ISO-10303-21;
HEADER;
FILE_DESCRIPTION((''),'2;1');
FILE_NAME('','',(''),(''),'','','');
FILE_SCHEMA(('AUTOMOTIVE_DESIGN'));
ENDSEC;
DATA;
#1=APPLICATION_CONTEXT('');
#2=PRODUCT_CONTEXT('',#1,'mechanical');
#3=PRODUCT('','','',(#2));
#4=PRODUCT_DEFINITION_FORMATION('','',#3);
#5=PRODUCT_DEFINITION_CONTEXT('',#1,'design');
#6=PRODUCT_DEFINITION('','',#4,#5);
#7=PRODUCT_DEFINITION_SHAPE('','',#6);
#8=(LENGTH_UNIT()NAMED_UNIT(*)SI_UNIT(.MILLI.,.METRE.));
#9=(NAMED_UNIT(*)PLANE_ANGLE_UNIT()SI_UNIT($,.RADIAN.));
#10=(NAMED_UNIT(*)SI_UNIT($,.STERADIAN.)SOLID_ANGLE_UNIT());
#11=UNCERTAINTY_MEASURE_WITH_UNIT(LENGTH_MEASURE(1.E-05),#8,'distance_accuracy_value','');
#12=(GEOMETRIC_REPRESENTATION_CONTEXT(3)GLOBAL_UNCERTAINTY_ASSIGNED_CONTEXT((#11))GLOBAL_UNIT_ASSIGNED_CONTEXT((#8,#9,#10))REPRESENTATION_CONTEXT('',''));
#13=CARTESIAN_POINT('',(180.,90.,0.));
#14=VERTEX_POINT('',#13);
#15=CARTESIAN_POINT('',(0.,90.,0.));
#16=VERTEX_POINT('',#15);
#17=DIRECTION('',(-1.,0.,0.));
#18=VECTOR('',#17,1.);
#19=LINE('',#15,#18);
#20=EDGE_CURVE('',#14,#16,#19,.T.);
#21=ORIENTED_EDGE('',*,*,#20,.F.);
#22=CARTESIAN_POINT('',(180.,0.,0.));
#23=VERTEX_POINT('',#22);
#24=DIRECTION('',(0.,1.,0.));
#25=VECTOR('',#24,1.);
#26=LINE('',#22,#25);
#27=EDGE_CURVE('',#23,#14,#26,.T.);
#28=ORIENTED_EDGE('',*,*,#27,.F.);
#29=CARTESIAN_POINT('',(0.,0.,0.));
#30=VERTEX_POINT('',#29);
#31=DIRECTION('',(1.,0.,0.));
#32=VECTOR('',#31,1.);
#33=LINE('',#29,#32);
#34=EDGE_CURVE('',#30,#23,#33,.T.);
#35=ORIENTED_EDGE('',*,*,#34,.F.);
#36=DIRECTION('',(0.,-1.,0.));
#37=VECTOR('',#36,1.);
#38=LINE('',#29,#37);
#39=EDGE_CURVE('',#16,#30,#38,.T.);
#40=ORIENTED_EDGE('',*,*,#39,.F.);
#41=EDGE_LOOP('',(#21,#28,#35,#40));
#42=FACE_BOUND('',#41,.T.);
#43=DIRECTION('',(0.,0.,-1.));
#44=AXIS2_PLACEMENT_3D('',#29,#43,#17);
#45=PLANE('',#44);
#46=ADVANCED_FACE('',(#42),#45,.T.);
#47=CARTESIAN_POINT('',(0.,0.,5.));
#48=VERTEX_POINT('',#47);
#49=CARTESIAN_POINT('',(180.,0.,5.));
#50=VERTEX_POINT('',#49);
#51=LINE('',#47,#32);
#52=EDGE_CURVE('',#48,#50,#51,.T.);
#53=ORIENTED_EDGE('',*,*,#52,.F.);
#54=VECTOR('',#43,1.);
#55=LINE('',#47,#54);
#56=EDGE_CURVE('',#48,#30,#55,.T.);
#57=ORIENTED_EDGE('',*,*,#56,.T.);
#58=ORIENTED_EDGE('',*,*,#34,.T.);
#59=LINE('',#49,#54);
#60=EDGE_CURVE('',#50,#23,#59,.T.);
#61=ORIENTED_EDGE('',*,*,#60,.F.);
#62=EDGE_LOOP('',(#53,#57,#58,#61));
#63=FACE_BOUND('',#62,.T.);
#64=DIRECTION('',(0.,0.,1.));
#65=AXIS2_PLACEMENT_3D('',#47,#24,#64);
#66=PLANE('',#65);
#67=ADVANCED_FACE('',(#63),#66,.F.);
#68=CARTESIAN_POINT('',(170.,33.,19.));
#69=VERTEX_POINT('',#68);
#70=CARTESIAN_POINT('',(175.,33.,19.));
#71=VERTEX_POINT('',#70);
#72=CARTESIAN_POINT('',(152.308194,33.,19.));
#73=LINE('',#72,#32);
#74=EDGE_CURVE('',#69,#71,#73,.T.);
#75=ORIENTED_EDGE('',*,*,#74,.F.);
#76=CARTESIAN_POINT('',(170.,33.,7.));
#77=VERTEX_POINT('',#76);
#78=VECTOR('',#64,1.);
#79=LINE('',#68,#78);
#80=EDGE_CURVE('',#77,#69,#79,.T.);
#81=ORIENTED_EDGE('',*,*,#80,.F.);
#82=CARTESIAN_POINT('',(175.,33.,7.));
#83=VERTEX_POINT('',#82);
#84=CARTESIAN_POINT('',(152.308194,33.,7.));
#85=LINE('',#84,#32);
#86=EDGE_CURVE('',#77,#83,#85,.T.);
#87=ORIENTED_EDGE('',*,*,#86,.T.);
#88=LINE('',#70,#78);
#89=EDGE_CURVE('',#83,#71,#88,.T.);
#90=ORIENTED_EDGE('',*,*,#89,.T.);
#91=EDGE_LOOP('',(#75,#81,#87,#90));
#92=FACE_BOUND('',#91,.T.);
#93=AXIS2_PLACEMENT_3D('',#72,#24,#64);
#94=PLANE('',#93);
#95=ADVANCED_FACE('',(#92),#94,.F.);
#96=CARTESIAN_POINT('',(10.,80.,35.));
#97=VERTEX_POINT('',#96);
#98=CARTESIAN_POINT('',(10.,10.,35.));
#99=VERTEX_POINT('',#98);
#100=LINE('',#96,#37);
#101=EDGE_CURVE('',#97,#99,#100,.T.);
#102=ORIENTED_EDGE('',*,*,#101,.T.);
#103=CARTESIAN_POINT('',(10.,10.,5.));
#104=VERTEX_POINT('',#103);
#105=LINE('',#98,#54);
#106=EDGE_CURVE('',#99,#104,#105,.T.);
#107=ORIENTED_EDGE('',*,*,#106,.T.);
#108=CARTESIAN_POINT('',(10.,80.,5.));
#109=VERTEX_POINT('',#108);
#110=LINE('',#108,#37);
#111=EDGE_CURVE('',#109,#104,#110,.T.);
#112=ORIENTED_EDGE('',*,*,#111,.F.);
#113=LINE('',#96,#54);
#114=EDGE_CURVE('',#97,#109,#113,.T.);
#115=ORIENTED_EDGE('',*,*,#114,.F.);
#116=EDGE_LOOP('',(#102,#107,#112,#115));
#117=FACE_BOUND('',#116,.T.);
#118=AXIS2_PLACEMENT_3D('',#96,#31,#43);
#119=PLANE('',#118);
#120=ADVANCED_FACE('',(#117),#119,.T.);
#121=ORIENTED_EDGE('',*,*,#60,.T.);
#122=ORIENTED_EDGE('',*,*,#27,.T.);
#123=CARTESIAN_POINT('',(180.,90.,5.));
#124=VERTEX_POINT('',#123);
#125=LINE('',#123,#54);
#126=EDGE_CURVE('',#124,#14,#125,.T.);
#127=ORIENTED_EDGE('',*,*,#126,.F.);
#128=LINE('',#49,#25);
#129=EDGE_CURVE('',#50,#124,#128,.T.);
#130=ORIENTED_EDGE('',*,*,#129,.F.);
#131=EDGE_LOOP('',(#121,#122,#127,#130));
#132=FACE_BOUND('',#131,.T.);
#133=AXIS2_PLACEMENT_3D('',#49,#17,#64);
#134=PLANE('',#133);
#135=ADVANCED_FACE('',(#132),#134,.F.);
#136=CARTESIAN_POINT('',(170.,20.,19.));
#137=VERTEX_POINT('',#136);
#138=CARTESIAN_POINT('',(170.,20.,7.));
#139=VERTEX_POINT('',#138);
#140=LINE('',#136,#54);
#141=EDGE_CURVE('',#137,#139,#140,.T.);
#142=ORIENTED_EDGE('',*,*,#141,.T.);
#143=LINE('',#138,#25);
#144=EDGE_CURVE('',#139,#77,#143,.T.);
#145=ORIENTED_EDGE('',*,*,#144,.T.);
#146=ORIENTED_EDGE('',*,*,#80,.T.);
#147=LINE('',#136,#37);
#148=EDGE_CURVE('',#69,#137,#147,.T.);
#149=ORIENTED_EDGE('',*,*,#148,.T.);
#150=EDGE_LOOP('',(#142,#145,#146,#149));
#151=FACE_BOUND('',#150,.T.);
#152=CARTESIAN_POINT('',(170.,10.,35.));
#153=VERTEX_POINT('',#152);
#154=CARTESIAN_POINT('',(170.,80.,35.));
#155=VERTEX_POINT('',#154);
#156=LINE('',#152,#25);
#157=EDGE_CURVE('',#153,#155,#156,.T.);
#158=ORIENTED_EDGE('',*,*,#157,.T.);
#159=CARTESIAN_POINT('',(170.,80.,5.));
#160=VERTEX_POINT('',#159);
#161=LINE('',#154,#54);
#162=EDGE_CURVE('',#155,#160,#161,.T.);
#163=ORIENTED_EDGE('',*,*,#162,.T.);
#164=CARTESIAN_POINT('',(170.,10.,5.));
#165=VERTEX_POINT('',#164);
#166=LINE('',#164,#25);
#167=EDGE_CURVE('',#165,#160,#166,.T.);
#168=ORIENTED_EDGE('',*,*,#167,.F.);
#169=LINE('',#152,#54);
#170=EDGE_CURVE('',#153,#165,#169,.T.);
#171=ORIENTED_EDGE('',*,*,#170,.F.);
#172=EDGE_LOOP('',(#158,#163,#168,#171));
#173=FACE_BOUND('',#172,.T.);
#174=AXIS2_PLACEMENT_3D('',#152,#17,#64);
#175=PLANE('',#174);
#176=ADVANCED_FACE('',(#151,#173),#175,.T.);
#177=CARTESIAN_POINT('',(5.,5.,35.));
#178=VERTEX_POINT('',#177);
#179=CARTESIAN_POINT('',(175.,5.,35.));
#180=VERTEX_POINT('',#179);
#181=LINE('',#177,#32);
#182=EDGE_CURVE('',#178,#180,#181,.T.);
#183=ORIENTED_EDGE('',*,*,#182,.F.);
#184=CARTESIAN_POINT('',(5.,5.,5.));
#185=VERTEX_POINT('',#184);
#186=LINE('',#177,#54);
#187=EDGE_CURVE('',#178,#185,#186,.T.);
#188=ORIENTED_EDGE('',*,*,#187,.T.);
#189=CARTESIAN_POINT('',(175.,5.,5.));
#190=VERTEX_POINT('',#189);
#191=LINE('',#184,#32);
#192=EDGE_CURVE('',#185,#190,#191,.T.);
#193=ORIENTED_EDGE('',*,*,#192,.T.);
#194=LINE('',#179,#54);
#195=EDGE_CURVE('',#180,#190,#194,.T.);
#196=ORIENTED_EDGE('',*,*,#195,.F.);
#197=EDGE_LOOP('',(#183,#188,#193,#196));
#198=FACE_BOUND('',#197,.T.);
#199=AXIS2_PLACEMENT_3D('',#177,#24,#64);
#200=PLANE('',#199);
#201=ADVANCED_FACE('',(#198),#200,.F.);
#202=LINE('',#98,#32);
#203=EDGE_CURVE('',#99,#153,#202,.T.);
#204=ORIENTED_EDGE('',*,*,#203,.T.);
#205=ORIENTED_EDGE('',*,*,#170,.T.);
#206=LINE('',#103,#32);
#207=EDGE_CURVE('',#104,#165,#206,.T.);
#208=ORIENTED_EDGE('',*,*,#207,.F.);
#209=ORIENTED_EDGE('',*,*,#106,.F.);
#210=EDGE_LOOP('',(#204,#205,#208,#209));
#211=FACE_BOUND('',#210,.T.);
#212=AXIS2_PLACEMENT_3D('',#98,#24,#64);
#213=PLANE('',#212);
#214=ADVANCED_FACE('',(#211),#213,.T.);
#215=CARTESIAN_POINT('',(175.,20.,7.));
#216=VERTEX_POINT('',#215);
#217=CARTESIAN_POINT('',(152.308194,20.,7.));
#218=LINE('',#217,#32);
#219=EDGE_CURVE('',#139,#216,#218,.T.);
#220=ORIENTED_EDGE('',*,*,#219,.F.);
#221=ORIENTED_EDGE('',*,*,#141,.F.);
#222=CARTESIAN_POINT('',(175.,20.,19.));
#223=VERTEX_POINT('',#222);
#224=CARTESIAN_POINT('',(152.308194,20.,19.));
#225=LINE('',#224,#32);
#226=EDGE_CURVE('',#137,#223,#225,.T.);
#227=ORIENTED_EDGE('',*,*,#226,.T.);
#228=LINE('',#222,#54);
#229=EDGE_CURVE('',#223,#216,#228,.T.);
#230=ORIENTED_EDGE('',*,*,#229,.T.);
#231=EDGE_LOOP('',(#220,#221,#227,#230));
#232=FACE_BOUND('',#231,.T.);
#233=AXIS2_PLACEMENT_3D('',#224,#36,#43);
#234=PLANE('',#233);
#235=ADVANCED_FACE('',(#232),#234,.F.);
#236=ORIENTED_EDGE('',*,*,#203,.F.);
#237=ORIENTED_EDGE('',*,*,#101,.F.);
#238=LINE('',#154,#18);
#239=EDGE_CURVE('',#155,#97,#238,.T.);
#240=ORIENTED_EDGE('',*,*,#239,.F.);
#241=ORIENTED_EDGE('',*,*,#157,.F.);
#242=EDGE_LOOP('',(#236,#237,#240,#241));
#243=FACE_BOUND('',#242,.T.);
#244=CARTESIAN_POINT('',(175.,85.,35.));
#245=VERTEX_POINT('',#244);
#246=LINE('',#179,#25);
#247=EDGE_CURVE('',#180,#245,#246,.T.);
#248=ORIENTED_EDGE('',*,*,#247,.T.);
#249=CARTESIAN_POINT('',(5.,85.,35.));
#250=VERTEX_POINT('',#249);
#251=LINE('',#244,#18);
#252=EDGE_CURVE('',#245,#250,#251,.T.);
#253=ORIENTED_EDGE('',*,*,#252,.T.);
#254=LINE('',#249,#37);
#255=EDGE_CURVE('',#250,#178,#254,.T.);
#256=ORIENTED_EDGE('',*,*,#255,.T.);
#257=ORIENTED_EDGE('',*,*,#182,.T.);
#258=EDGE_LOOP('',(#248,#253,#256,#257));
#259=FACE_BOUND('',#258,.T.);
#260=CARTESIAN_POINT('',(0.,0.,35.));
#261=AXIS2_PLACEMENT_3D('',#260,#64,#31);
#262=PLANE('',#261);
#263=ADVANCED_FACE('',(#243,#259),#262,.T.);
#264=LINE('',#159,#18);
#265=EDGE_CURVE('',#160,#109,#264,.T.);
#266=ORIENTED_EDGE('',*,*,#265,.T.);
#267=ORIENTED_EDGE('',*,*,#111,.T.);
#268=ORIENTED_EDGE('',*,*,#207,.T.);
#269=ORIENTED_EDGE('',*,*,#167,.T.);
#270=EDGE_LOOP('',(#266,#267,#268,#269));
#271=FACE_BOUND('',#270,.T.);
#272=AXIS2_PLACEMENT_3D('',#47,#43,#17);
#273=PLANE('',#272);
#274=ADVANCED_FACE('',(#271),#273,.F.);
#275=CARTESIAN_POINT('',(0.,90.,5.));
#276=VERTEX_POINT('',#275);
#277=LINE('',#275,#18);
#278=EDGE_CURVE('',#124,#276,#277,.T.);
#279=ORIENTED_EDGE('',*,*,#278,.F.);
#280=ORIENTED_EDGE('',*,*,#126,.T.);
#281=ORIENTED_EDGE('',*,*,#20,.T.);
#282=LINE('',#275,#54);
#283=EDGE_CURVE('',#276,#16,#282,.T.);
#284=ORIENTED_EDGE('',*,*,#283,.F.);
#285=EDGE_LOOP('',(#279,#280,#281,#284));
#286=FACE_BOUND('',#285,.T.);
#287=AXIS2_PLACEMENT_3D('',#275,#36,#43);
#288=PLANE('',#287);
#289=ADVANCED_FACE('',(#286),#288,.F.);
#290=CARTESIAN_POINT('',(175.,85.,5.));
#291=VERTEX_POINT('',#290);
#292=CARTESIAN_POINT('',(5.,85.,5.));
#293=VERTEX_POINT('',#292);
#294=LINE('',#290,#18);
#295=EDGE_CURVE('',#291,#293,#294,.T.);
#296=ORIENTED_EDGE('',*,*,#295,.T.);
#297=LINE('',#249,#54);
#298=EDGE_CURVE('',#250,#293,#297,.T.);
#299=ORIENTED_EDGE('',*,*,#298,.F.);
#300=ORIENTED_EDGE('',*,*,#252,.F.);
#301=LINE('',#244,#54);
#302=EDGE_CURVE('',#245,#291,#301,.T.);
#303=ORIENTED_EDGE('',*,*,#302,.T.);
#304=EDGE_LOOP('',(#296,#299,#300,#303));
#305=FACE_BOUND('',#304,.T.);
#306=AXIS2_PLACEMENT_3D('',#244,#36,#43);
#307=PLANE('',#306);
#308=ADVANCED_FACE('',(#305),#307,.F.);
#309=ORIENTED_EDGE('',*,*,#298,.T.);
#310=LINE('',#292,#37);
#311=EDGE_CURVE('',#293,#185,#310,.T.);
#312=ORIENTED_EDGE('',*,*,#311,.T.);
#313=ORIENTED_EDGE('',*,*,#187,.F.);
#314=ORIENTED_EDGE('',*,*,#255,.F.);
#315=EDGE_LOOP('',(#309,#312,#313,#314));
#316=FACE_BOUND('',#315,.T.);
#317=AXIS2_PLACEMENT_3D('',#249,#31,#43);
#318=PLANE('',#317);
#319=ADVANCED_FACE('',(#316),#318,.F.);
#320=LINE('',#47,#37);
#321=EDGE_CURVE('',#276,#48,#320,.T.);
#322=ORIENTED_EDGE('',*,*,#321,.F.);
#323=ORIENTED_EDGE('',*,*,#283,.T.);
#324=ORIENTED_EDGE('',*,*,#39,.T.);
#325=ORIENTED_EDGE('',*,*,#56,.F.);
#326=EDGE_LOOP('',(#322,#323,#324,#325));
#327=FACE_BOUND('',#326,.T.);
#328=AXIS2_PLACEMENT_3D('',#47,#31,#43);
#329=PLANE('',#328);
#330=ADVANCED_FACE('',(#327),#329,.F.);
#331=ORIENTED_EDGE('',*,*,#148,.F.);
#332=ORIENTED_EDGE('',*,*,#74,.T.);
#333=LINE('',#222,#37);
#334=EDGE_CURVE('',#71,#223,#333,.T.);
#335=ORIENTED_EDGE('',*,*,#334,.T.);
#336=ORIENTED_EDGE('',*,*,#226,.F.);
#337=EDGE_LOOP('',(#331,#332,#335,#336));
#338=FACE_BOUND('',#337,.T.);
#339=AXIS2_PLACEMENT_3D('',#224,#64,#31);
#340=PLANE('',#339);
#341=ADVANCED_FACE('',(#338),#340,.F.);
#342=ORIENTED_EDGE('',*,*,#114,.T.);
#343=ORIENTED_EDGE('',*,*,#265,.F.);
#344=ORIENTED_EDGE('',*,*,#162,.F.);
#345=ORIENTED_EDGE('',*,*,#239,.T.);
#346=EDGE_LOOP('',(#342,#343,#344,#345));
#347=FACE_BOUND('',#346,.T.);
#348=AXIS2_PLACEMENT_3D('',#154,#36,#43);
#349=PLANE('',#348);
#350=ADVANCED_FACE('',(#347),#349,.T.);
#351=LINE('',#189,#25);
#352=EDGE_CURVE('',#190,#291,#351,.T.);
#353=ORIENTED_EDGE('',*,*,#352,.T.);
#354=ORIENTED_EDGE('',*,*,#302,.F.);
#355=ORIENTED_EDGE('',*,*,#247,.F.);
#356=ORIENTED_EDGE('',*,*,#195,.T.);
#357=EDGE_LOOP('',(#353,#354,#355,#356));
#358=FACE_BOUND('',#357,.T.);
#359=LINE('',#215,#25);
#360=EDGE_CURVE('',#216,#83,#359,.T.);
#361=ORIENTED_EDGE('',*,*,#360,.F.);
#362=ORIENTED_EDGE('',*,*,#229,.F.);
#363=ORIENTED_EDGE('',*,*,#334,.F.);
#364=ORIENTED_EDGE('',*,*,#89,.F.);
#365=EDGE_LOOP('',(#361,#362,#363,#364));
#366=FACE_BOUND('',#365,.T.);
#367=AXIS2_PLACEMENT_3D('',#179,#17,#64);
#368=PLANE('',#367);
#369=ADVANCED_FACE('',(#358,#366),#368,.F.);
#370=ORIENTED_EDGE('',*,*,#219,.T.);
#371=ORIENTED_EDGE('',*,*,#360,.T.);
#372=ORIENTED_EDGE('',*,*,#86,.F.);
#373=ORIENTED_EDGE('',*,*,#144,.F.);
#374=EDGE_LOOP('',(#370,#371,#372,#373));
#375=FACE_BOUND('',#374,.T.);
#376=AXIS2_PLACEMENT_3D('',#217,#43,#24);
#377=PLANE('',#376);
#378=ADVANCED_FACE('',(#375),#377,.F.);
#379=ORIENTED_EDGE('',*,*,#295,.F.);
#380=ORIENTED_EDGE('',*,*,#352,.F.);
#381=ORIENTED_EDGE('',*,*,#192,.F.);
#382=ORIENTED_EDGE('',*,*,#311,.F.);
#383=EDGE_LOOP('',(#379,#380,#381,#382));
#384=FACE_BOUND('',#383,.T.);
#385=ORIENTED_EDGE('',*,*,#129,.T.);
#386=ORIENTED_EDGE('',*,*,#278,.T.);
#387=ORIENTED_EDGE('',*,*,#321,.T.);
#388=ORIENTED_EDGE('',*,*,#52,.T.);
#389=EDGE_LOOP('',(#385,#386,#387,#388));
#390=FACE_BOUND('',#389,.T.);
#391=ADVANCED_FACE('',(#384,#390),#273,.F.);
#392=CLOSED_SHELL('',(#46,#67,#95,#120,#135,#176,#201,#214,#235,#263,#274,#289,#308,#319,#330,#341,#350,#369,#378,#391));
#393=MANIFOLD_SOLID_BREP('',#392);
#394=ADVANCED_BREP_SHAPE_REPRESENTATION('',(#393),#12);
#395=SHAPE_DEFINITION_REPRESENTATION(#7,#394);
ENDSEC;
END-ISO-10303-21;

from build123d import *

# Parameters (mm, degrees)
ESQUISSE2_W             = 180
ESQUISSE2_H             = 90
BOSS_EXTRU_2_DEPTH      = 5
ESQUISSE3_W             = 170
ESQUISSE3_H             = 80
ESQUISSE3_W_2           = 160
ESQUISSE3_H_2           = 70
BOSS_EXTRU_3_DEPTH      = 30
ESQUISSE4_W             = 12
ESQUISSE4_H             = 13
ENL_V_MAT_EXTRU_1_DEPTH = 5


with BuildPart() as part:
    # Esquisse2 → Boss.-Extru.2 (new body)
    with BuildSketch(Plane.XY):
        with Locations((90, 45)):
            Rectangle(ESQUISSE2_W, ESQUISSE2_H)
    extrude(amount=BOSS_EXTRU_2_DEPTH)

    # Esquisse3 → Boss.-Extru.3 (add)
    with BuildSketch(Plane.XY.offset(5)):
        with Locations((90, 45)):
            Rectangle(ESQUISSE3_W, ESQUISSE3_H)
        with Locations((90, 45)):
            Rectangle(ESQUISSE3_W_2, ESQUISSE3_H_2, mode=Mode.SUBTRACT)
    extrude(amount=BOSS_EXTRU_3_DEPTH)

    # Esquisse4 → Enlèv. mat.-Extru.1 (cut)
    with BuildSketch(Plane(origin=(175, 0, 0), x_dir=(0, 0, -1), z_dir=(1, 0, 0))):
        with Locations((-13, 26.5)):
            Rectangle(ESQUISSE4_W, ESQUISSE4_H)
    extrude(amount=-ENL_V_MAT_EXTRU_1_DEPTH, mode=Mode.SUBTRACT)


solid = part.part
